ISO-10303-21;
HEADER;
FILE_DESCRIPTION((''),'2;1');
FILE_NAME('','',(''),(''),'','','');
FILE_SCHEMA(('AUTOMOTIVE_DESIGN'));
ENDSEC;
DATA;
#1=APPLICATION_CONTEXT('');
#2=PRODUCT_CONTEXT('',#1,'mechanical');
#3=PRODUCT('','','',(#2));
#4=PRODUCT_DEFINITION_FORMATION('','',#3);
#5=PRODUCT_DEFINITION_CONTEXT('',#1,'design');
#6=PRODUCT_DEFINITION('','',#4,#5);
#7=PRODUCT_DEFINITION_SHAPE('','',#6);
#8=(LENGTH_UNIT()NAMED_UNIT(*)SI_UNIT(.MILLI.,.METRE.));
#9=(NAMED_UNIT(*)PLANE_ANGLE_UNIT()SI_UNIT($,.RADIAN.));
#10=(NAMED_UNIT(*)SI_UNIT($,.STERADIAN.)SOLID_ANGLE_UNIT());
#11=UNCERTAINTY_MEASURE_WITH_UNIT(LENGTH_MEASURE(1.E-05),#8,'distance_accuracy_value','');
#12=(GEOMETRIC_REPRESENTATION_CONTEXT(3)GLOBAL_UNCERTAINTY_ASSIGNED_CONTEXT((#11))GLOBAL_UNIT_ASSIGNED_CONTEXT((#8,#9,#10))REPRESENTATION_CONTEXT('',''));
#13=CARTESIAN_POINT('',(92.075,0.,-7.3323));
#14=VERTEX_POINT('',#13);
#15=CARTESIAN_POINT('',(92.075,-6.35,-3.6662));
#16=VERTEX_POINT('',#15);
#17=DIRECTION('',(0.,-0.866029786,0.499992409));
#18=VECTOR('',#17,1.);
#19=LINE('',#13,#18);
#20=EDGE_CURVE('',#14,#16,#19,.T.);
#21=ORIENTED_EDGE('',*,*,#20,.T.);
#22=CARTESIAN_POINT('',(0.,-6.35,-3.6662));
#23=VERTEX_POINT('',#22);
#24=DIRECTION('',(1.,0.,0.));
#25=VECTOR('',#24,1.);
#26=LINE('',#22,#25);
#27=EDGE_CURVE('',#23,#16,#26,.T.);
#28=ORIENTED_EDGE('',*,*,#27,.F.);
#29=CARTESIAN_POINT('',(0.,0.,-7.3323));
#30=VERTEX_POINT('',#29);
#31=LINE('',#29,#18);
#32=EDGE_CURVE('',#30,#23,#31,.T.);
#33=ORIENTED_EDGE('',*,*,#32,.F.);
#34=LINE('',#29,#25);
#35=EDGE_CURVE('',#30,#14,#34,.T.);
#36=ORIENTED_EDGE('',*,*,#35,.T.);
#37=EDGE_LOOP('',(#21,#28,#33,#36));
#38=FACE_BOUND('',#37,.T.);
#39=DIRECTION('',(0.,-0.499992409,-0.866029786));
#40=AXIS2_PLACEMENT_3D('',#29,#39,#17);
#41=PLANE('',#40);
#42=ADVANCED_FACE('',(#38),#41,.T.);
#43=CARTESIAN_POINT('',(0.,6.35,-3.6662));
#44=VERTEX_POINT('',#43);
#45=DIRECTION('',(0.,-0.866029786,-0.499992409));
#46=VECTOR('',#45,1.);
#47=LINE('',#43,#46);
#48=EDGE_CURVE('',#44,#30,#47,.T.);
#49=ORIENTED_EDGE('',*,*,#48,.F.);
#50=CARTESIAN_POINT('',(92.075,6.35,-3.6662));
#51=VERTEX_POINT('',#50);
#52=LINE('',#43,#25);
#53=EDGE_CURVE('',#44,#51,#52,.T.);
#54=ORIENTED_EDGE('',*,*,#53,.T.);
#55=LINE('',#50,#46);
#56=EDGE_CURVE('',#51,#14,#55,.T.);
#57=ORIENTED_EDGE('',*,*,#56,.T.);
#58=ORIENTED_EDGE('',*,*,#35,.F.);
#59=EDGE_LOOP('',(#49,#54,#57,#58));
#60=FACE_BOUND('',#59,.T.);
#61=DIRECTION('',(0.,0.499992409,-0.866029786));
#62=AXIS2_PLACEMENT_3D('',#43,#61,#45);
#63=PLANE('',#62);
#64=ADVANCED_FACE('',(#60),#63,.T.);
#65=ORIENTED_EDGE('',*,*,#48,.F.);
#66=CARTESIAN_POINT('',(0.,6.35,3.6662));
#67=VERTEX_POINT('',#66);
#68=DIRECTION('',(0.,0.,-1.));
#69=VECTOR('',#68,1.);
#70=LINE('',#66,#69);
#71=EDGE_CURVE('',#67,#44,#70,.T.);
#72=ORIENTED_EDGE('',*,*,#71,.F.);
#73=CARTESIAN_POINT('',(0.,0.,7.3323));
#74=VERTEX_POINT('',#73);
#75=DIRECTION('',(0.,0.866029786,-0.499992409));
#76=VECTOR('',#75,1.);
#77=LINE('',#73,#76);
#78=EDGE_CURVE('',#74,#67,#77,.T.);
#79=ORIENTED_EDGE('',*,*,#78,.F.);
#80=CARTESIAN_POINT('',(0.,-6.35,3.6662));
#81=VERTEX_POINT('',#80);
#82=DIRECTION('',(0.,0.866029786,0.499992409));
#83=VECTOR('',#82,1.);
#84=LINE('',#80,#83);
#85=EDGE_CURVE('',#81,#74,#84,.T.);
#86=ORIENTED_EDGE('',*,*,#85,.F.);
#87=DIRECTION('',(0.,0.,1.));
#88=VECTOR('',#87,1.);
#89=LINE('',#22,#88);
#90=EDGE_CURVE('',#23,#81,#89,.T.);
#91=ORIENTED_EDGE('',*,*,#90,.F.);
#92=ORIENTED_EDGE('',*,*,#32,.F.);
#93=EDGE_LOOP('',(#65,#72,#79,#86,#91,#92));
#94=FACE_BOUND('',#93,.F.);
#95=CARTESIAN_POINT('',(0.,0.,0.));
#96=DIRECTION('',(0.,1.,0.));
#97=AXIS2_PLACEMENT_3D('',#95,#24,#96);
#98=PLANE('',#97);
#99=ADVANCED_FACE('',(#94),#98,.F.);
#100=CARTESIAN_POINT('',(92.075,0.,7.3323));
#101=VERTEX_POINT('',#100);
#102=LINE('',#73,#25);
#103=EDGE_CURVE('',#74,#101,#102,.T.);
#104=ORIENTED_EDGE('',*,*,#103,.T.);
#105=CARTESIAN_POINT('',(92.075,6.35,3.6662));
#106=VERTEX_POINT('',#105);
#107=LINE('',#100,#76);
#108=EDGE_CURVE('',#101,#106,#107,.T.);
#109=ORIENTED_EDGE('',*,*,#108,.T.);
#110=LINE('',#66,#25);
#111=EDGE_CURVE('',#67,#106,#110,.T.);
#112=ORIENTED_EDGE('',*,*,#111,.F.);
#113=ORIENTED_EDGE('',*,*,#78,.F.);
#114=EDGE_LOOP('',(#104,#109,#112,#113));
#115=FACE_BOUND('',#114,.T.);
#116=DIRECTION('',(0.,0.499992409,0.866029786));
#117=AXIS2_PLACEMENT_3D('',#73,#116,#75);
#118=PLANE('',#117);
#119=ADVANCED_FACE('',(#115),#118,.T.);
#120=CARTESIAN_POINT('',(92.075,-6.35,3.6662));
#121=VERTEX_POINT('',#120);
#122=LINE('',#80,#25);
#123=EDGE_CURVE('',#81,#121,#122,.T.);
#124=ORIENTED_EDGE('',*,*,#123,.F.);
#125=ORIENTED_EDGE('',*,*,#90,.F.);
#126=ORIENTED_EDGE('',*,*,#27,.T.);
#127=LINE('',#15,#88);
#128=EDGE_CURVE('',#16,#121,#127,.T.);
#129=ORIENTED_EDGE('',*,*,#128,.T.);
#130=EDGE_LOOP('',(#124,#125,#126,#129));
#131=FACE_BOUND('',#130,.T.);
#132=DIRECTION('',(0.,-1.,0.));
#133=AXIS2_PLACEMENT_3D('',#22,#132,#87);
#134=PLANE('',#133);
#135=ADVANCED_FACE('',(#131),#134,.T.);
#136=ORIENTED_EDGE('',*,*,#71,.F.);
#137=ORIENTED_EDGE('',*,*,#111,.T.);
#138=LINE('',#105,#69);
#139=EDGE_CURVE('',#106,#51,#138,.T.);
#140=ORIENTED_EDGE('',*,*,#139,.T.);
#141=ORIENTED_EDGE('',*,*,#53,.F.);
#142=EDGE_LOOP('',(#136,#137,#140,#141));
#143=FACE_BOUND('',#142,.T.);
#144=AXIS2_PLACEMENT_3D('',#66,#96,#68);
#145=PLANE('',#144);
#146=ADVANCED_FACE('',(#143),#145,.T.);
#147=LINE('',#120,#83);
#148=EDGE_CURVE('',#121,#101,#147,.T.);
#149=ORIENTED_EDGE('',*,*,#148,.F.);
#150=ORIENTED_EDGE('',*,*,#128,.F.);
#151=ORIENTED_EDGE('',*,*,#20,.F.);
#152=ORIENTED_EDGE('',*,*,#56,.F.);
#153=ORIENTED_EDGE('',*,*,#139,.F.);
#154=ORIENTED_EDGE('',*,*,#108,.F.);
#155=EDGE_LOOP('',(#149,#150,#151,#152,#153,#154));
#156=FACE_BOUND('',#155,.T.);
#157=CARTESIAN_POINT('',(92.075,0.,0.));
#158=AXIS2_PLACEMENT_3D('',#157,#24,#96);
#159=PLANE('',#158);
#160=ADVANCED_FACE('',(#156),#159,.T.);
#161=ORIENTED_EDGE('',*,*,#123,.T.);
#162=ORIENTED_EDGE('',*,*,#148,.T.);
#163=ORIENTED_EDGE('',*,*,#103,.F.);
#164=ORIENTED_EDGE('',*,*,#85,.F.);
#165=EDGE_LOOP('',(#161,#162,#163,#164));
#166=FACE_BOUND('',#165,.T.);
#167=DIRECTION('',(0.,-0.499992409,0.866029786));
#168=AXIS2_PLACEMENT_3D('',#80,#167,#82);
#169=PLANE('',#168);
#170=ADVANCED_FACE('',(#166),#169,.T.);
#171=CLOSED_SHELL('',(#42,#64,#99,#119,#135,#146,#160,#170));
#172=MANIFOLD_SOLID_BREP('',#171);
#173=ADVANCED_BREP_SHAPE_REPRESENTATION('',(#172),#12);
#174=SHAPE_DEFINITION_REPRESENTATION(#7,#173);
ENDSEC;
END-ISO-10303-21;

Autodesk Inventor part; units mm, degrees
ref_plane "YZ Plane" through (0, 0, 0) normal (1, 0, 0) x (0, 1, 0)
ref_plane "XZ Plane" through (0, 0, 0) normal (0, 1, 0) x (-1, 0, 0)
ref_plane "XY Plane" through (0, 0, 0) normal (0, 0, 1) x (1, 0, 0)
sketch "Sketch1" plane through (0, 0, 0) normal (1, 0, 0) x (0, 1, 0)
  line L0 (6.35, 3.6662) -> (6.35, -3.6662)
  line L1 (6.35, -3.6662) -> (0, -7.3323)
  line L2 (0, -7.3323) -> (-6.35, -3.6662)
  line L3 (-6.35, -3.6662) -> (-6.35, 3.6662)
  line L4 (-6.35, 3.6662) -> (0, 7.3323)
  line L5 (0, 7.3323) -> (6.35, 3.6662)
  point P0 (0, 0)
  dimension "d0" = 12.7
  dimension "d1" = 12.7
  dimension "d2" = 12.7
  dimension "d3" = 6.35
  dimension "d4" = 120
  dimension "d5" = 120
  dimension "d6" = 6.35
  dimension "d7" = 6.35
extrude "Extrusion1" add sketch "Sketch1" along normal blind 92.075
properties part number "0.5 hex shaft"
